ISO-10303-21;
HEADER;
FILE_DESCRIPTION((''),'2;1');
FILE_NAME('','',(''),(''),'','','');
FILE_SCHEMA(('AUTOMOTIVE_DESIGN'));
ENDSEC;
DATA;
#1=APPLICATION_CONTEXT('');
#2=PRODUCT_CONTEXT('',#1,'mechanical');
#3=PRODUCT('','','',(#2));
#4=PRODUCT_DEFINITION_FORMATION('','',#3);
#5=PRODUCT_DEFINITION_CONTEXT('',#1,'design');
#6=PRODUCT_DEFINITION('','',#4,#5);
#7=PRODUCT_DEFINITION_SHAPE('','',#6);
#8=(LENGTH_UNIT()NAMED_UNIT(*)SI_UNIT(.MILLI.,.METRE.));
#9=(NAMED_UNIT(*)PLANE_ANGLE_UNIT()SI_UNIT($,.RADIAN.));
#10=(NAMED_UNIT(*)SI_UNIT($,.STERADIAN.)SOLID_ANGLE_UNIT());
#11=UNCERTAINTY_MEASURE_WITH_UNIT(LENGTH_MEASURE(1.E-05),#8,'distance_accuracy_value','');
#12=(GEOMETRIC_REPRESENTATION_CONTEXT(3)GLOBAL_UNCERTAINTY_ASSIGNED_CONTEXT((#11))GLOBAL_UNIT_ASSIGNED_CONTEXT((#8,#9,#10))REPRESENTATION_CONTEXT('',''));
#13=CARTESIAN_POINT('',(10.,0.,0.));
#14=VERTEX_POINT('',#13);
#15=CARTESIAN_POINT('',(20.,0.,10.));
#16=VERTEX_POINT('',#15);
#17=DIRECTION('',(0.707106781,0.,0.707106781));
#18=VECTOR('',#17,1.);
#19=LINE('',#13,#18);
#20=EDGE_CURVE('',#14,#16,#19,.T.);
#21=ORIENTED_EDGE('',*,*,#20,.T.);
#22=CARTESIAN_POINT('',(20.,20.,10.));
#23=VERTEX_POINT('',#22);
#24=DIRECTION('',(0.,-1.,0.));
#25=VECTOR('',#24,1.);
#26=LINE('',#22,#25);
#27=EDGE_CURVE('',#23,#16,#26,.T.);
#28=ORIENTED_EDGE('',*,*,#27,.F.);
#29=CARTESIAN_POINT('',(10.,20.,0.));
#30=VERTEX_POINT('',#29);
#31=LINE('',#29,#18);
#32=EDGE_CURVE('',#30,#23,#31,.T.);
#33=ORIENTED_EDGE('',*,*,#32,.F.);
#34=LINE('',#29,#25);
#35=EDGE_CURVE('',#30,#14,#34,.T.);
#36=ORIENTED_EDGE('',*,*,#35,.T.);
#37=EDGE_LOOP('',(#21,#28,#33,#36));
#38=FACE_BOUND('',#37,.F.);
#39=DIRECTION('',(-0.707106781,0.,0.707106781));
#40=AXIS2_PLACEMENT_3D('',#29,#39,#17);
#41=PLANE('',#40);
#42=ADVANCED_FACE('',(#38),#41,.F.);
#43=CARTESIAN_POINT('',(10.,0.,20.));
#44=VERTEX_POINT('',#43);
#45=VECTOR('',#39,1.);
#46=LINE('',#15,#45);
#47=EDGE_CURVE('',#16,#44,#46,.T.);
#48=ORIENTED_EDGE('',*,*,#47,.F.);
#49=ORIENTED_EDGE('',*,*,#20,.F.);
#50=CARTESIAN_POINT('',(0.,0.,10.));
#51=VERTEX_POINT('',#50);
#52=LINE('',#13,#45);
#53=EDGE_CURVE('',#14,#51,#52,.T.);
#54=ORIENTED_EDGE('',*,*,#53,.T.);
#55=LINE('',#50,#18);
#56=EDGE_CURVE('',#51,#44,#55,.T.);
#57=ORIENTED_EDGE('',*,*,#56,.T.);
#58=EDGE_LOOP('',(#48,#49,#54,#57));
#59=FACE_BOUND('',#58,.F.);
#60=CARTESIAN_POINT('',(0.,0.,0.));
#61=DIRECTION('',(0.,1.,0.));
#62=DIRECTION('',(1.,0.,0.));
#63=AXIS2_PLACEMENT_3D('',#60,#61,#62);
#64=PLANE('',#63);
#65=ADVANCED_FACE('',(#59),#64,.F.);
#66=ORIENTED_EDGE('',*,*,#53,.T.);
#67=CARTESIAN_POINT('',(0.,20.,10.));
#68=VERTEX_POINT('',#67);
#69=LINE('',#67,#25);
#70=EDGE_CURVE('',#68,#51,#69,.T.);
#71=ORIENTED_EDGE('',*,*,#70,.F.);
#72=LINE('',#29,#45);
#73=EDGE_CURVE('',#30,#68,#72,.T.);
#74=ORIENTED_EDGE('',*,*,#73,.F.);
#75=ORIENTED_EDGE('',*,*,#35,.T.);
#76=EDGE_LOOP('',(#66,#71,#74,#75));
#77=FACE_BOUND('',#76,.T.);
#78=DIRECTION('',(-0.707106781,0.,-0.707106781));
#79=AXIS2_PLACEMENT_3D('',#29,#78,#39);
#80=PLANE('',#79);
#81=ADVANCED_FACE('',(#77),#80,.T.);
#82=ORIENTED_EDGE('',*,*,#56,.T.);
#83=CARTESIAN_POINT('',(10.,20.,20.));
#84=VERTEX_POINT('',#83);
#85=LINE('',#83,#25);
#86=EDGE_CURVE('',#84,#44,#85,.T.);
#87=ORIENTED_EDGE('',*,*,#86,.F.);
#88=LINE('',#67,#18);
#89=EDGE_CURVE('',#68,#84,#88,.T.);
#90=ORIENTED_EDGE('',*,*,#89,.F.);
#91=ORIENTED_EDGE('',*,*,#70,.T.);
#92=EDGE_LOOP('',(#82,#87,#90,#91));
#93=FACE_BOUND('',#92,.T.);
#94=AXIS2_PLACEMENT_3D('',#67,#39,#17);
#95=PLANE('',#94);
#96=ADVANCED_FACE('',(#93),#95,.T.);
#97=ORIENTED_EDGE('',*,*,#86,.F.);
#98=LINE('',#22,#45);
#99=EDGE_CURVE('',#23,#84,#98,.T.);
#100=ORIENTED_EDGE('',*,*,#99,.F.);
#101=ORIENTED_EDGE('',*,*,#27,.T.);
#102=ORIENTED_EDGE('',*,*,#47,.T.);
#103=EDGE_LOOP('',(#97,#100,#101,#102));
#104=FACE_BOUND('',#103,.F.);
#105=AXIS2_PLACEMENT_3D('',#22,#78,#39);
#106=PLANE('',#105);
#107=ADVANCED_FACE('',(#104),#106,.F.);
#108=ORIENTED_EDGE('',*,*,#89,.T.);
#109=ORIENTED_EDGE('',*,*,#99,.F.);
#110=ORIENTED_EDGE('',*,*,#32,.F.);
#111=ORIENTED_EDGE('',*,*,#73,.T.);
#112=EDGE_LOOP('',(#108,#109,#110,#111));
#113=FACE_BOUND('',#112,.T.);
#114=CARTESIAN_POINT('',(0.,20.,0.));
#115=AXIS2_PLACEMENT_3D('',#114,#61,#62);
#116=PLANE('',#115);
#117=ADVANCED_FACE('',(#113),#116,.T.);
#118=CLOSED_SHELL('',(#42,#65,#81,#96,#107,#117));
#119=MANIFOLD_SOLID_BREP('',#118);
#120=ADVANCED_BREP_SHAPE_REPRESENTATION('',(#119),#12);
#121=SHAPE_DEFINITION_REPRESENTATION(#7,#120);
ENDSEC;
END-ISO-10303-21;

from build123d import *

# Parameters (mm, degrees)
SKETCH1_W           = 20
SKETCH1_H           = 20
BOSS_EXTRUDE1_DEPTH = 20
CUT_EXTRUDE1_DEPTH  = 20
CUT_EXTRUDE2_DEPTH  = 20
CUT_EXTRUDE3_DEPTH  = 20
CUT_EXTRUDE4_DEPTH  = 20


with BuildPart() as part:
    # Sketch1 → Boss-Extrude1 (new body)
    with BuildSketch(Plane.XY):
        with Locations((10, 10)):
            Rectangle(SKETCH1_W, SKETCH1_H)
    extrude(amount=BOSS_EXTRUDE1_DEPTH)

    # Sketch2 → Cut-Extrude1 (cut)
    with BuildSketch(Plane(origin=(0, 20, 0), x_dir=(1, 0, 0), z_dir=(0, 1, 0))):
        Polygon((20, 0), (10, 0), (20, -10), align=None)
    extrude(amount=-CUT_EXTRUDE1_DEPTH, mode=Mode.SUBTRACT)

    # Sketch3 → Cut-Extrude2 (cut)
    with BuildSketch(Plane(origin=(0, 20, 0), x_dir=(1, 0, 0), z_dir=(0, 1, 0))):
        Polygon((20, -20), (20, -10), (10, -20), align=None)
    extrude(amount=-CUT_EXTRUDE2_DEPTH, mode=Mode.SUBTRACT)

    # Sketch4 → Cut-Extrude3 (cut)
    with BuildSketch(Plane(origin=(0, 20, 0), x_dir=(1, 0, 0), z_dir=(0, 1, 0))):
        Polygon((0, 0), (10, 0), (0, -10), align=None)
    extrude(amount=-CUT_EXTRUDE3_DEPTH, mode=Mode.SUBTRACT)

    # Sketch5 → Cut-Extrude4 (cut)
    with BuildSketch(Plane(origin=(0, 20, 0), x_dir=(1, 0, 0), z_dir=(0, 1, 0))):
        Polygon((0, -20), (0, -10), (10, -20), align=None)
    extrude(amount=-CUT_EXTRUDE4_DEPTH, mode=Mode.SUBTRACT)


solid = part.part
